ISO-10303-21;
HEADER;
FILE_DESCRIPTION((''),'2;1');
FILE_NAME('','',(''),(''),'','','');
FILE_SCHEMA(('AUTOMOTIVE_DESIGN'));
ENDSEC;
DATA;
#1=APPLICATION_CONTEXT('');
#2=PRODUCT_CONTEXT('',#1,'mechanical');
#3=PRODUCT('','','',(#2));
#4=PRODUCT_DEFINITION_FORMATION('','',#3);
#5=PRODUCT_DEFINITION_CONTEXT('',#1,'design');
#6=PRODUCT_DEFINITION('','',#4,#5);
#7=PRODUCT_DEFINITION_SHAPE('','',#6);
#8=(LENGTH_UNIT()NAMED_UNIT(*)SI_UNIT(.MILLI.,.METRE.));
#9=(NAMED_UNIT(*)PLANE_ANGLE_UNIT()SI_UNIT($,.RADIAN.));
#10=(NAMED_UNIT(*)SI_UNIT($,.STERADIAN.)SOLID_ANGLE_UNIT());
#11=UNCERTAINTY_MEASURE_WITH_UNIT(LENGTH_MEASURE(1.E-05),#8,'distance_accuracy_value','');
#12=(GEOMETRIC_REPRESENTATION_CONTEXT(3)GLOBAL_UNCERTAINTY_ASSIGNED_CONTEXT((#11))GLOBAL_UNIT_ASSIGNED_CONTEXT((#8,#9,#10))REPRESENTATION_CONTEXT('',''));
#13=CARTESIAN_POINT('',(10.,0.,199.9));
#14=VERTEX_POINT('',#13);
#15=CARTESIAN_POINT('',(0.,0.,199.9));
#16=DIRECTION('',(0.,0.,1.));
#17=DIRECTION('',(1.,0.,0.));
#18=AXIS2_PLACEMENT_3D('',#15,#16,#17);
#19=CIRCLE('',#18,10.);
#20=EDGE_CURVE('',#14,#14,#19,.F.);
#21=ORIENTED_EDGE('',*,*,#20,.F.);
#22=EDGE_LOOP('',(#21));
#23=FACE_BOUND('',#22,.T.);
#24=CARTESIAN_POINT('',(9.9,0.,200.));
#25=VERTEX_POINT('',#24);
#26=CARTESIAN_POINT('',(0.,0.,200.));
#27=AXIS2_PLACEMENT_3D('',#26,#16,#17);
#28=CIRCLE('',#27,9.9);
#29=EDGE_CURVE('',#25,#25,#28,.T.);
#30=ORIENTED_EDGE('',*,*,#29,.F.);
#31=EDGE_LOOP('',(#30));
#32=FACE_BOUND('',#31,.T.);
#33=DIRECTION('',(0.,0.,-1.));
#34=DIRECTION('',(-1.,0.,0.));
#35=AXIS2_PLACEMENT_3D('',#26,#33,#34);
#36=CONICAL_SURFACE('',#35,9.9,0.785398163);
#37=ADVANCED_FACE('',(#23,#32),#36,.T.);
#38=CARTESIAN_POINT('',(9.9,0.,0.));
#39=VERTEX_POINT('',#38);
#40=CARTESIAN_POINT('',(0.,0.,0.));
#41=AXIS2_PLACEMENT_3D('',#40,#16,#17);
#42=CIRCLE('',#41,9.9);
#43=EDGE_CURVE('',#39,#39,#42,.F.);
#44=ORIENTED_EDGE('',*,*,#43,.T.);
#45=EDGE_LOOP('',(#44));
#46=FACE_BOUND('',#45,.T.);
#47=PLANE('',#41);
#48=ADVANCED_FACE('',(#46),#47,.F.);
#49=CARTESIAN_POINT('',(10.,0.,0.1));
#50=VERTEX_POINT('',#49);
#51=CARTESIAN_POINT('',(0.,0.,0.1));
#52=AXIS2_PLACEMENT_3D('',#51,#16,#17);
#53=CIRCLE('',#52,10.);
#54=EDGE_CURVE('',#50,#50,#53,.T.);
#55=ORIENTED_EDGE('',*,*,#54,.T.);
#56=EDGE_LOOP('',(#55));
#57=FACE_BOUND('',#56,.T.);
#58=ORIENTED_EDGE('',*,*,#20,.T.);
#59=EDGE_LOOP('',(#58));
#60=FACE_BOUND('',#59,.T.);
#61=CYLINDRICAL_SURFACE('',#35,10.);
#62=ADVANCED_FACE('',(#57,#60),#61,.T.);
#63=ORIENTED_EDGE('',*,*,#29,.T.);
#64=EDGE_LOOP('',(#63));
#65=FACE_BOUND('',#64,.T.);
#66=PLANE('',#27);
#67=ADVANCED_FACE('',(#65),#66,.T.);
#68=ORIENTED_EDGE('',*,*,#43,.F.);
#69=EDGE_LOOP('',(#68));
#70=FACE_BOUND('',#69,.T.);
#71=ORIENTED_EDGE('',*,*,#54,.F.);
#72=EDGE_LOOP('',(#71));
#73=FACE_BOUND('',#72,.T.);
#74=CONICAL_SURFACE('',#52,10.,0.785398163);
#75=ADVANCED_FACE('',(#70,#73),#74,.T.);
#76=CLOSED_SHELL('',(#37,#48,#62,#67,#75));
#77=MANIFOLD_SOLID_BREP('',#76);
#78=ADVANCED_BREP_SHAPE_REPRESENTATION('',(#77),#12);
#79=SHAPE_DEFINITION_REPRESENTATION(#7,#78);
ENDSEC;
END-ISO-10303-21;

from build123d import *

# Parameters (mm, degrees)
SKETCH_1_R      = 10
EXTRUDE_1_DEPTH = 200
CHAMFER_1_SIZE  = 0.1


with BuildPart() as part:
    # Эскиз1 → Бобышка-Вытянуть1 (new body)
    with BuildSketch(Plane.XY):
        Circle(SKETCH_1_R)
    extrude(amount=EXTRUDE_1_DEPTH)

    # Фаска1
    chamfer_1_edges = [part.edges().sort_by_distance(p)[0] for p in [
        (-10, 0, 0),
        (-10, 0, 200),
    ]]
    chamfer(chamfer_1_edges, length=CHAMFER_1_SIZE)


solid = part.part
